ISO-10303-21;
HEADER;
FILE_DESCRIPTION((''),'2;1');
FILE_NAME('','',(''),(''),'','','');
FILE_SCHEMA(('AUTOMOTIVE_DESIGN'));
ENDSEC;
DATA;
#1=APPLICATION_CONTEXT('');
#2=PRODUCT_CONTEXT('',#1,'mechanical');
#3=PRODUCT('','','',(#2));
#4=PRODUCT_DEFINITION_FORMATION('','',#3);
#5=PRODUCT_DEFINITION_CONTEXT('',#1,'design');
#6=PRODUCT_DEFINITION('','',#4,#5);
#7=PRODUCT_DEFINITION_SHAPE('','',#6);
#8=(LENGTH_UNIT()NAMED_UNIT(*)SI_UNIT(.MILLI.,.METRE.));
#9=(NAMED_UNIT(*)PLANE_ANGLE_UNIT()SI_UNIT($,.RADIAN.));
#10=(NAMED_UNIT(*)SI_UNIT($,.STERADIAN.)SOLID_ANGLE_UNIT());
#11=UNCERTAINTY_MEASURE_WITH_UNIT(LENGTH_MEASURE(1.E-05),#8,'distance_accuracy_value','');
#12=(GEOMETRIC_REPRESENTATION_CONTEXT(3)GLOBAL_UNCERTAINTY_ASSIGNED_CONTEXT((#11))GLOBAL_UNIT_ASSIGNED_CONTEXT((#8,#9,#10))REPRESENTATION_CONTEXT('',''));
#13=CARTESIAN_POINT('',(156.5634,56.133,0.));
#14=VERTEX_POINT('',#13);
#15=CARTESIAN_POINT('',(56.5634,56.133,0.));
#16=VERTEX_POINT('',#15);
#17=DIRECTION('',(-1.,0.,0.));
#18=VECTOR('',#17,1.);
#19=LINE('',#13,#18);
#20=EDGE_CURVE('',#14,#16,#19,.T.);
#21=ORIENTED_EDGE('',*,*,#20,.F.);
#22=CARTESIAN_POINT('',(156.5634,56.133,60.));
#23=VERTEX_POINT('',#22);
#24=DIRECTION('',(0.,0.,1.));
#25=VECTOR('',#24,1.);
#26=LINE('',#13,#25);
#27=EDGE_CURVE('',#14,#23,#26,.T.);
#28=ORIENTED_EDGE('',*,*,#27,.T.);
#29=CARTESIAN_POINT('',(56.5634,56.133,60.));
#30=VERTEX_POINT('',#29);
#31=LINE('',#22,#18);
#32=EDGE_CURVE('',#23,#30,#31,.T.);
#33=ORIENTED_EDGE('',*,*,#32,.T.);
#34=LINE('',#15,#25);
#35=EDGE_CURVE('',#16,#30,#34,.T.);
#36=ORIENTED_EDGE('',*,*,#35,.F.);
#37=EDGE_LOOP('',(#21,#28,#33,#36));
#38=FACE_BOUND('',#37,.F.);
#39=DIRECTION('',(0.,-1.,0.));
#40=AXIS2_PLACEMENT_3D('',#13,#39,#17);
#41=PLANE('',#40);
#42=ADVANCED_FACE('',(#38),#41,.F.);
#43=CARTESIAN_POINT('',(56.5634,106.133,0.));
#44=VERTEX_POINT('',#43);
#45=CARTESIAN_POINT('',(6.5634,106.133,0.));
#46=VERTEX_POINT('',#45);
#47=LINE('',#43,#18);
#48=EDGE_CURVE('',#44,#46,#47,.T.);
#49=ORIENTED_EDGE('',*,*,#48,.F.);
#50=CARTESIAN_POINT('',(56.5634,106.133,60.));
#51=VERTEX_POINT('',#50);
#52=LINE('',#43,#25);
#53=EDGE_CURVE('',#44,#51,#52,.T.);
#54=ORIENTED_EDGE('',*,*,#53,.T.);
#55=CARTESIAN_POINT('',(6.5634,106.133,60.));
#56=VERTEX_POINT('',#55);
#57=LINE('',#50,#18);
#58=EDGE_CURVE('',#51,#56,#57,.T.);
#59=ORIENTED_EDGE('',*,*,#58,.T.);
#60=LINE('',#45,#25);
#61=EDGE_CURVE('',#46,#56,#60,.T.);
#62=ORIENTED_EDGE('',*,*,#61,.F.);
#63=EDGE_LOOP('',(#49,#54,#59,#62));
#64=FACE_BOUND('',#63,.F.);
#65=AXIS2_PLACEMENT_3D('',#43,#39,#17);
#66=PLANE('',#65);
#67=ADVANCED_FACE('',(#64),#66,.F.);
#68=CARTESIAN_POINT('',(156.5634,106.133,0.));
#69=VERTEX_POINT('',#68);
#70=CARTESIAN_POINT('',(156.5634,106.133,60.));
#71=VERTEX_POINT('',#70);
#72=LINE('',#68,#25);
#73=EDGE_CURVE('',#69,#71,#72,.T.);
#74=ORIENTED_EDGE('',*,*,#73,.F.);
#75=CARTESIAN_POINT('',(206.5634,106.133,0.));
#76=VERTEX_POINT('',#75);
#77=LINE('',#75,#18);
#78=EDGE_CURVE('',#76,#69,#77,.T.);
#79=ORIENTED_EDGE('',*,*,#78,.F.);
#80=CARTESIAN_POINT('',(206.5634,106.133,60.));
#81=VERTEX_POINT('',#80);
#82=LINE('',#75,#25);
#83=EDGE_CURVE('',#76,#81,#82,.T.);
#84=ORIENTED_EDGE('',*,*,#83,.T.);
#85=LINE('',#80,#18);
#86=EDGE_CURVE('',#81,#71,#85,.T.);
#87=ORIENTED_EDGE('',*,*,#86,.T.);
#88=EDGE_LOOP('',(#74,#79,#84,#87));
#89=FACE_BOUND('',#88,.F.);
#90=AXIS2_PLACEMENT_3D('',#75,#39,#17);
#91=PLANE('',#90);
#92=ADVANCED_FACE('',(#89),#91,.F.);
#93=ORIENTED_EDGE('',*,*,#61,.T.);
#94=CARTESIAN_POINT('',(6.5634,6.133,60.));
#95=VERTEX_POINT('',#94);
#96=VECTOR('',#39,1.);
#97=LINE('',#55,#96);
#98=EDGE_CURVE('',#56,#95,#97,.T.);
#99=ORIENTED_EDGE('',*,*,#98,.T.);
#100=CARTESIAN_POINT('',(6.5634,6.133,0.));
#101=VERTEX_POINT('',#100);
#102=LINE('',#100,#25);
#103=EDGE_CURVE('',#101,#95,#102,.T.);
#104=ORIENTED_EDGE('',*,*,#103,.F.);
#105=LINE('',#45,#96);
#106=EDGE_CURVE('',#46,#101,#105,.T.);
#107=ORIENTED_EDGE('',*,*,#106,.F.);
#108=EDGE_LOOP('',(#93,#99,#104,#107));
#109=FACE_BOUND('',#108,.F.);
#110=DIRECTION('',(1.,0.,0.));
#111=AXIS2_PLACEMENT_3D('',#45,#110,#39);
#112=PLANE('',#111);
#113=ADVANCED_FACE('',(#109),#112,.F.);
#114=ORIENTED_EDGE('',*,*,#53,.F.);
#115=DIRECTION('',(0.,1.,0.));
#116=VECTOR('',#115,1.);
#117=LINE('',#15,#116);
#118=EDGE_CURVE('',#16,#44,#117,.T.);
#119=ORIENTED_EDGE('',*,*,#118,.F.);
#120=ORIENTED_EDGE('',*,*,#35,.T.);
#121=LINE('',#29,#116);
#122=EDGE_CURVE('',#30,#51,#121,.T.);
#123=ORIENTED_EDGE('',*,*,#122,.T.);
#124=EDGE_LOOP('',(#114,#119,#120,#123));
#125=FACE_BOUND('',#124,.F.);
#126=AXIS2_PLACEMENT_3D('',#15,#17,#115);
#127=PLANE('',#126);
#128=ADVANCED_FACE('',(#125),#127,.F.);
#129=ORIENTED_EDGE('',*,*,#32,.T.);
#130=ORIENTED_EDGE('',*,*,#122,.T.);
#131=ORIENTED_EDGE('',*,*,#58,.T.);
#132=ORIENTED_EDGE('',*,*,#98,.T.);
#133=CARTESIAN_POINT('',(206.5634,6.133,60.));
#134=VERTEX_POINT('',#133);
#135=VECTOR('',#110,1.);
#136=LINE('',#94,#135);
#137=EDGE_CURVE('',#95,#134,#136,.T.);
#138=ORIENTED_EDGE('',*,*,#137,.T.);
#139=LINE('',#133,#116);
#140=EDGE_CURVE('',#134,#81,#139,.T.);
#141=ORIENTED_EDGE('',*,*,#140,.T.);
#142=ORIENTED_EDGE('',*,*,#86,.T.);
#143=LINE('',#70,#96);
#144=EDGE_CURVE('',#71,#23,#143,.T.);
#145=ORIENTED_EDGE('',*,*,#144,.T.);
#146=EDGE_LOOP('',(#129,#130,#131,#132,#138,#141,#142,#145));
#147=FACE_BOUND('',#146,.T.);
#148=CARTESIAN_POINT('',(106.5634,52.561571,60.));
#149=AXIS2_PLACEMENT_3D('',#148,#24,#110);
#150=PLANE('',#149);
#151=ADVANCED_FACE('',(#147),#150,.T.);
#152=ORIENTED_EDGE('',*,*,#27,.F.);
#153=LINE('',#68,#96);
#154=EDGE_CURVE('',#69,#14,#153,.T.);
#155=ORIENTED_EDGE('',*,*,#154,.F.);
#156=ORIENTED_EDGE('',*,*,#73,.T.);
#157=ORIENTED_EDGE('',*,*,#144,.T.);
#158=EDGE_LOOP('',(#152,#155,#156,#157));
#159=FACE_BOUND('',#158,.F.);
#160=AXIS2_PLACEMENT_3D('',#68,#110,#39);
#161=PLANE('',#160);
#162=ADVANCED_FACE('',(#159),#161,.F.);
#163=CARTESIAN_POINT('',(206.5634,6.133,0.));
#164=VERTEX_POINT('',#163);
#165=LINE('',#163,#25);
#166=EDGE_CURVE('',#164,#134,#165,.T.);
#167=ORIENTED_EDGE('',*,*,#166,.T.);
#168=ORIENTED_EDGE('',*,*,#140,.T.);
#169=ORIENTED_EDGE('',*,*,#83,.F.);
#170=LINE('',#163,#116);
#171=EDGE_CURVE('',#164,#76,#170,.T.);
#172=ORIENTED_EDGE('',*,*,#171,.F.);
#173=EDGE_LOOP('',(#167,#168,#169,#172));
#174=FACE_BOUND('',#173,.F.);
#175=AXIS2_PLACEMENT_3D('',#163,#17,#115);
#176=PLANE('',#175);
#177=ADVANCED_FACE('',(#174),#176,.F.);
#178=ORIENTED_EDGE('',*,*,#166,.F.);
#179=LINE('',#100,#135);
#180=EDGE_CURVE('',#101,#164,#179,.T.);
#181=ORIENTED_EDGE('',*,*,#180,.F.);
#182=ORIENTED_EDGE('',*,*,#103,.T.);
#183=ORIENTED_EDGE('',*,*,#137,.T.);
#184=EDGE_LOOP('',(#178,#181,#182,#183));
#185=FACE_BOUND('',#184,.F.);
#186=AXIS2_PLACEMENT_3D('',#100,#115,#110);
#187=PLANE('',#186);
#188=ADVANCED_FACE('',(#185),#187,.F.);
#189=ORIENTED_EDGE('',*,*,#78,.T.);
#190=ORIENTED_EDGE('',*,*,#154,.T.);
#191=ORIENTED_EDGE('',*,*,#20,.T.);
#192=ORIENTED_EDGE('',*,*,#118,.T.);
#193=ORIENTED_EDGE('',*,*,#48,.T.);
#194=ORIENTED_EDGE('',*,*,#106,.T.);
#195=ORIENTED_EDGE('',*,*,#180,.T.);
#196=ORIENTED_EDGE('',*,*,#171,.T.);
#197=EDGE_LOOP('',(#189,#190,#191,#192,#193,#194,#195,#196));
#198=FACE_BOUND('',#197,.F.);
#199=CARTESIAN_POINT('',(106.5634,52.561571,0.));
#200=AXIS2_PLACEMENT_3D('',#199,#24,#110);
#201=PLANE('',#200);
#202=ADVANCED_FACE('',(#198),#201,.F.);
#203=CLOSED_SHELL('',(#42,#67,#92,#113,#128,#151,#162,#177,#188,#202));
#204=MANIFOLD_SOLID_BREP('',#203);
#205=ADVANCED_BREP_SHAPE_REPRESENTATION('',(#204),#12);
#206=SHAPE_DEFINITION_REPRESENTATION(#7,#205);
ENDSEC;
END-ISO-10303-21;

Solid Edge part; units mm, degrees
sketch "Sketch1" plane through (0, 0, 0) normal (0, 0, 1) x (1, 0, 0)
  line L0 (6.5634, 6.133) -> (206.5634, 6.133)
  line L1 (206.5634, 6.133) -> (206.5634, 106.133)
  line L2 (206.5634, 106.133) -> (156.5634, 106.133)
  line L3 (156.5634, 106.133) -> (156.5634, 56.133)
  line L4 (156.5634, 56.133) -> (56.5634, 56.133)
  line L5 (56.5634, 56.133) -> (56.5634, 106.133)
  line L6 (56.5634, 106.133) -> (6.5634, 106.133)
  line L7 (6.5634, 106.133) -> (6.5634, 6.133)
extrude "Protrusion1" add sketch "Sketch1" along normal blind 60
